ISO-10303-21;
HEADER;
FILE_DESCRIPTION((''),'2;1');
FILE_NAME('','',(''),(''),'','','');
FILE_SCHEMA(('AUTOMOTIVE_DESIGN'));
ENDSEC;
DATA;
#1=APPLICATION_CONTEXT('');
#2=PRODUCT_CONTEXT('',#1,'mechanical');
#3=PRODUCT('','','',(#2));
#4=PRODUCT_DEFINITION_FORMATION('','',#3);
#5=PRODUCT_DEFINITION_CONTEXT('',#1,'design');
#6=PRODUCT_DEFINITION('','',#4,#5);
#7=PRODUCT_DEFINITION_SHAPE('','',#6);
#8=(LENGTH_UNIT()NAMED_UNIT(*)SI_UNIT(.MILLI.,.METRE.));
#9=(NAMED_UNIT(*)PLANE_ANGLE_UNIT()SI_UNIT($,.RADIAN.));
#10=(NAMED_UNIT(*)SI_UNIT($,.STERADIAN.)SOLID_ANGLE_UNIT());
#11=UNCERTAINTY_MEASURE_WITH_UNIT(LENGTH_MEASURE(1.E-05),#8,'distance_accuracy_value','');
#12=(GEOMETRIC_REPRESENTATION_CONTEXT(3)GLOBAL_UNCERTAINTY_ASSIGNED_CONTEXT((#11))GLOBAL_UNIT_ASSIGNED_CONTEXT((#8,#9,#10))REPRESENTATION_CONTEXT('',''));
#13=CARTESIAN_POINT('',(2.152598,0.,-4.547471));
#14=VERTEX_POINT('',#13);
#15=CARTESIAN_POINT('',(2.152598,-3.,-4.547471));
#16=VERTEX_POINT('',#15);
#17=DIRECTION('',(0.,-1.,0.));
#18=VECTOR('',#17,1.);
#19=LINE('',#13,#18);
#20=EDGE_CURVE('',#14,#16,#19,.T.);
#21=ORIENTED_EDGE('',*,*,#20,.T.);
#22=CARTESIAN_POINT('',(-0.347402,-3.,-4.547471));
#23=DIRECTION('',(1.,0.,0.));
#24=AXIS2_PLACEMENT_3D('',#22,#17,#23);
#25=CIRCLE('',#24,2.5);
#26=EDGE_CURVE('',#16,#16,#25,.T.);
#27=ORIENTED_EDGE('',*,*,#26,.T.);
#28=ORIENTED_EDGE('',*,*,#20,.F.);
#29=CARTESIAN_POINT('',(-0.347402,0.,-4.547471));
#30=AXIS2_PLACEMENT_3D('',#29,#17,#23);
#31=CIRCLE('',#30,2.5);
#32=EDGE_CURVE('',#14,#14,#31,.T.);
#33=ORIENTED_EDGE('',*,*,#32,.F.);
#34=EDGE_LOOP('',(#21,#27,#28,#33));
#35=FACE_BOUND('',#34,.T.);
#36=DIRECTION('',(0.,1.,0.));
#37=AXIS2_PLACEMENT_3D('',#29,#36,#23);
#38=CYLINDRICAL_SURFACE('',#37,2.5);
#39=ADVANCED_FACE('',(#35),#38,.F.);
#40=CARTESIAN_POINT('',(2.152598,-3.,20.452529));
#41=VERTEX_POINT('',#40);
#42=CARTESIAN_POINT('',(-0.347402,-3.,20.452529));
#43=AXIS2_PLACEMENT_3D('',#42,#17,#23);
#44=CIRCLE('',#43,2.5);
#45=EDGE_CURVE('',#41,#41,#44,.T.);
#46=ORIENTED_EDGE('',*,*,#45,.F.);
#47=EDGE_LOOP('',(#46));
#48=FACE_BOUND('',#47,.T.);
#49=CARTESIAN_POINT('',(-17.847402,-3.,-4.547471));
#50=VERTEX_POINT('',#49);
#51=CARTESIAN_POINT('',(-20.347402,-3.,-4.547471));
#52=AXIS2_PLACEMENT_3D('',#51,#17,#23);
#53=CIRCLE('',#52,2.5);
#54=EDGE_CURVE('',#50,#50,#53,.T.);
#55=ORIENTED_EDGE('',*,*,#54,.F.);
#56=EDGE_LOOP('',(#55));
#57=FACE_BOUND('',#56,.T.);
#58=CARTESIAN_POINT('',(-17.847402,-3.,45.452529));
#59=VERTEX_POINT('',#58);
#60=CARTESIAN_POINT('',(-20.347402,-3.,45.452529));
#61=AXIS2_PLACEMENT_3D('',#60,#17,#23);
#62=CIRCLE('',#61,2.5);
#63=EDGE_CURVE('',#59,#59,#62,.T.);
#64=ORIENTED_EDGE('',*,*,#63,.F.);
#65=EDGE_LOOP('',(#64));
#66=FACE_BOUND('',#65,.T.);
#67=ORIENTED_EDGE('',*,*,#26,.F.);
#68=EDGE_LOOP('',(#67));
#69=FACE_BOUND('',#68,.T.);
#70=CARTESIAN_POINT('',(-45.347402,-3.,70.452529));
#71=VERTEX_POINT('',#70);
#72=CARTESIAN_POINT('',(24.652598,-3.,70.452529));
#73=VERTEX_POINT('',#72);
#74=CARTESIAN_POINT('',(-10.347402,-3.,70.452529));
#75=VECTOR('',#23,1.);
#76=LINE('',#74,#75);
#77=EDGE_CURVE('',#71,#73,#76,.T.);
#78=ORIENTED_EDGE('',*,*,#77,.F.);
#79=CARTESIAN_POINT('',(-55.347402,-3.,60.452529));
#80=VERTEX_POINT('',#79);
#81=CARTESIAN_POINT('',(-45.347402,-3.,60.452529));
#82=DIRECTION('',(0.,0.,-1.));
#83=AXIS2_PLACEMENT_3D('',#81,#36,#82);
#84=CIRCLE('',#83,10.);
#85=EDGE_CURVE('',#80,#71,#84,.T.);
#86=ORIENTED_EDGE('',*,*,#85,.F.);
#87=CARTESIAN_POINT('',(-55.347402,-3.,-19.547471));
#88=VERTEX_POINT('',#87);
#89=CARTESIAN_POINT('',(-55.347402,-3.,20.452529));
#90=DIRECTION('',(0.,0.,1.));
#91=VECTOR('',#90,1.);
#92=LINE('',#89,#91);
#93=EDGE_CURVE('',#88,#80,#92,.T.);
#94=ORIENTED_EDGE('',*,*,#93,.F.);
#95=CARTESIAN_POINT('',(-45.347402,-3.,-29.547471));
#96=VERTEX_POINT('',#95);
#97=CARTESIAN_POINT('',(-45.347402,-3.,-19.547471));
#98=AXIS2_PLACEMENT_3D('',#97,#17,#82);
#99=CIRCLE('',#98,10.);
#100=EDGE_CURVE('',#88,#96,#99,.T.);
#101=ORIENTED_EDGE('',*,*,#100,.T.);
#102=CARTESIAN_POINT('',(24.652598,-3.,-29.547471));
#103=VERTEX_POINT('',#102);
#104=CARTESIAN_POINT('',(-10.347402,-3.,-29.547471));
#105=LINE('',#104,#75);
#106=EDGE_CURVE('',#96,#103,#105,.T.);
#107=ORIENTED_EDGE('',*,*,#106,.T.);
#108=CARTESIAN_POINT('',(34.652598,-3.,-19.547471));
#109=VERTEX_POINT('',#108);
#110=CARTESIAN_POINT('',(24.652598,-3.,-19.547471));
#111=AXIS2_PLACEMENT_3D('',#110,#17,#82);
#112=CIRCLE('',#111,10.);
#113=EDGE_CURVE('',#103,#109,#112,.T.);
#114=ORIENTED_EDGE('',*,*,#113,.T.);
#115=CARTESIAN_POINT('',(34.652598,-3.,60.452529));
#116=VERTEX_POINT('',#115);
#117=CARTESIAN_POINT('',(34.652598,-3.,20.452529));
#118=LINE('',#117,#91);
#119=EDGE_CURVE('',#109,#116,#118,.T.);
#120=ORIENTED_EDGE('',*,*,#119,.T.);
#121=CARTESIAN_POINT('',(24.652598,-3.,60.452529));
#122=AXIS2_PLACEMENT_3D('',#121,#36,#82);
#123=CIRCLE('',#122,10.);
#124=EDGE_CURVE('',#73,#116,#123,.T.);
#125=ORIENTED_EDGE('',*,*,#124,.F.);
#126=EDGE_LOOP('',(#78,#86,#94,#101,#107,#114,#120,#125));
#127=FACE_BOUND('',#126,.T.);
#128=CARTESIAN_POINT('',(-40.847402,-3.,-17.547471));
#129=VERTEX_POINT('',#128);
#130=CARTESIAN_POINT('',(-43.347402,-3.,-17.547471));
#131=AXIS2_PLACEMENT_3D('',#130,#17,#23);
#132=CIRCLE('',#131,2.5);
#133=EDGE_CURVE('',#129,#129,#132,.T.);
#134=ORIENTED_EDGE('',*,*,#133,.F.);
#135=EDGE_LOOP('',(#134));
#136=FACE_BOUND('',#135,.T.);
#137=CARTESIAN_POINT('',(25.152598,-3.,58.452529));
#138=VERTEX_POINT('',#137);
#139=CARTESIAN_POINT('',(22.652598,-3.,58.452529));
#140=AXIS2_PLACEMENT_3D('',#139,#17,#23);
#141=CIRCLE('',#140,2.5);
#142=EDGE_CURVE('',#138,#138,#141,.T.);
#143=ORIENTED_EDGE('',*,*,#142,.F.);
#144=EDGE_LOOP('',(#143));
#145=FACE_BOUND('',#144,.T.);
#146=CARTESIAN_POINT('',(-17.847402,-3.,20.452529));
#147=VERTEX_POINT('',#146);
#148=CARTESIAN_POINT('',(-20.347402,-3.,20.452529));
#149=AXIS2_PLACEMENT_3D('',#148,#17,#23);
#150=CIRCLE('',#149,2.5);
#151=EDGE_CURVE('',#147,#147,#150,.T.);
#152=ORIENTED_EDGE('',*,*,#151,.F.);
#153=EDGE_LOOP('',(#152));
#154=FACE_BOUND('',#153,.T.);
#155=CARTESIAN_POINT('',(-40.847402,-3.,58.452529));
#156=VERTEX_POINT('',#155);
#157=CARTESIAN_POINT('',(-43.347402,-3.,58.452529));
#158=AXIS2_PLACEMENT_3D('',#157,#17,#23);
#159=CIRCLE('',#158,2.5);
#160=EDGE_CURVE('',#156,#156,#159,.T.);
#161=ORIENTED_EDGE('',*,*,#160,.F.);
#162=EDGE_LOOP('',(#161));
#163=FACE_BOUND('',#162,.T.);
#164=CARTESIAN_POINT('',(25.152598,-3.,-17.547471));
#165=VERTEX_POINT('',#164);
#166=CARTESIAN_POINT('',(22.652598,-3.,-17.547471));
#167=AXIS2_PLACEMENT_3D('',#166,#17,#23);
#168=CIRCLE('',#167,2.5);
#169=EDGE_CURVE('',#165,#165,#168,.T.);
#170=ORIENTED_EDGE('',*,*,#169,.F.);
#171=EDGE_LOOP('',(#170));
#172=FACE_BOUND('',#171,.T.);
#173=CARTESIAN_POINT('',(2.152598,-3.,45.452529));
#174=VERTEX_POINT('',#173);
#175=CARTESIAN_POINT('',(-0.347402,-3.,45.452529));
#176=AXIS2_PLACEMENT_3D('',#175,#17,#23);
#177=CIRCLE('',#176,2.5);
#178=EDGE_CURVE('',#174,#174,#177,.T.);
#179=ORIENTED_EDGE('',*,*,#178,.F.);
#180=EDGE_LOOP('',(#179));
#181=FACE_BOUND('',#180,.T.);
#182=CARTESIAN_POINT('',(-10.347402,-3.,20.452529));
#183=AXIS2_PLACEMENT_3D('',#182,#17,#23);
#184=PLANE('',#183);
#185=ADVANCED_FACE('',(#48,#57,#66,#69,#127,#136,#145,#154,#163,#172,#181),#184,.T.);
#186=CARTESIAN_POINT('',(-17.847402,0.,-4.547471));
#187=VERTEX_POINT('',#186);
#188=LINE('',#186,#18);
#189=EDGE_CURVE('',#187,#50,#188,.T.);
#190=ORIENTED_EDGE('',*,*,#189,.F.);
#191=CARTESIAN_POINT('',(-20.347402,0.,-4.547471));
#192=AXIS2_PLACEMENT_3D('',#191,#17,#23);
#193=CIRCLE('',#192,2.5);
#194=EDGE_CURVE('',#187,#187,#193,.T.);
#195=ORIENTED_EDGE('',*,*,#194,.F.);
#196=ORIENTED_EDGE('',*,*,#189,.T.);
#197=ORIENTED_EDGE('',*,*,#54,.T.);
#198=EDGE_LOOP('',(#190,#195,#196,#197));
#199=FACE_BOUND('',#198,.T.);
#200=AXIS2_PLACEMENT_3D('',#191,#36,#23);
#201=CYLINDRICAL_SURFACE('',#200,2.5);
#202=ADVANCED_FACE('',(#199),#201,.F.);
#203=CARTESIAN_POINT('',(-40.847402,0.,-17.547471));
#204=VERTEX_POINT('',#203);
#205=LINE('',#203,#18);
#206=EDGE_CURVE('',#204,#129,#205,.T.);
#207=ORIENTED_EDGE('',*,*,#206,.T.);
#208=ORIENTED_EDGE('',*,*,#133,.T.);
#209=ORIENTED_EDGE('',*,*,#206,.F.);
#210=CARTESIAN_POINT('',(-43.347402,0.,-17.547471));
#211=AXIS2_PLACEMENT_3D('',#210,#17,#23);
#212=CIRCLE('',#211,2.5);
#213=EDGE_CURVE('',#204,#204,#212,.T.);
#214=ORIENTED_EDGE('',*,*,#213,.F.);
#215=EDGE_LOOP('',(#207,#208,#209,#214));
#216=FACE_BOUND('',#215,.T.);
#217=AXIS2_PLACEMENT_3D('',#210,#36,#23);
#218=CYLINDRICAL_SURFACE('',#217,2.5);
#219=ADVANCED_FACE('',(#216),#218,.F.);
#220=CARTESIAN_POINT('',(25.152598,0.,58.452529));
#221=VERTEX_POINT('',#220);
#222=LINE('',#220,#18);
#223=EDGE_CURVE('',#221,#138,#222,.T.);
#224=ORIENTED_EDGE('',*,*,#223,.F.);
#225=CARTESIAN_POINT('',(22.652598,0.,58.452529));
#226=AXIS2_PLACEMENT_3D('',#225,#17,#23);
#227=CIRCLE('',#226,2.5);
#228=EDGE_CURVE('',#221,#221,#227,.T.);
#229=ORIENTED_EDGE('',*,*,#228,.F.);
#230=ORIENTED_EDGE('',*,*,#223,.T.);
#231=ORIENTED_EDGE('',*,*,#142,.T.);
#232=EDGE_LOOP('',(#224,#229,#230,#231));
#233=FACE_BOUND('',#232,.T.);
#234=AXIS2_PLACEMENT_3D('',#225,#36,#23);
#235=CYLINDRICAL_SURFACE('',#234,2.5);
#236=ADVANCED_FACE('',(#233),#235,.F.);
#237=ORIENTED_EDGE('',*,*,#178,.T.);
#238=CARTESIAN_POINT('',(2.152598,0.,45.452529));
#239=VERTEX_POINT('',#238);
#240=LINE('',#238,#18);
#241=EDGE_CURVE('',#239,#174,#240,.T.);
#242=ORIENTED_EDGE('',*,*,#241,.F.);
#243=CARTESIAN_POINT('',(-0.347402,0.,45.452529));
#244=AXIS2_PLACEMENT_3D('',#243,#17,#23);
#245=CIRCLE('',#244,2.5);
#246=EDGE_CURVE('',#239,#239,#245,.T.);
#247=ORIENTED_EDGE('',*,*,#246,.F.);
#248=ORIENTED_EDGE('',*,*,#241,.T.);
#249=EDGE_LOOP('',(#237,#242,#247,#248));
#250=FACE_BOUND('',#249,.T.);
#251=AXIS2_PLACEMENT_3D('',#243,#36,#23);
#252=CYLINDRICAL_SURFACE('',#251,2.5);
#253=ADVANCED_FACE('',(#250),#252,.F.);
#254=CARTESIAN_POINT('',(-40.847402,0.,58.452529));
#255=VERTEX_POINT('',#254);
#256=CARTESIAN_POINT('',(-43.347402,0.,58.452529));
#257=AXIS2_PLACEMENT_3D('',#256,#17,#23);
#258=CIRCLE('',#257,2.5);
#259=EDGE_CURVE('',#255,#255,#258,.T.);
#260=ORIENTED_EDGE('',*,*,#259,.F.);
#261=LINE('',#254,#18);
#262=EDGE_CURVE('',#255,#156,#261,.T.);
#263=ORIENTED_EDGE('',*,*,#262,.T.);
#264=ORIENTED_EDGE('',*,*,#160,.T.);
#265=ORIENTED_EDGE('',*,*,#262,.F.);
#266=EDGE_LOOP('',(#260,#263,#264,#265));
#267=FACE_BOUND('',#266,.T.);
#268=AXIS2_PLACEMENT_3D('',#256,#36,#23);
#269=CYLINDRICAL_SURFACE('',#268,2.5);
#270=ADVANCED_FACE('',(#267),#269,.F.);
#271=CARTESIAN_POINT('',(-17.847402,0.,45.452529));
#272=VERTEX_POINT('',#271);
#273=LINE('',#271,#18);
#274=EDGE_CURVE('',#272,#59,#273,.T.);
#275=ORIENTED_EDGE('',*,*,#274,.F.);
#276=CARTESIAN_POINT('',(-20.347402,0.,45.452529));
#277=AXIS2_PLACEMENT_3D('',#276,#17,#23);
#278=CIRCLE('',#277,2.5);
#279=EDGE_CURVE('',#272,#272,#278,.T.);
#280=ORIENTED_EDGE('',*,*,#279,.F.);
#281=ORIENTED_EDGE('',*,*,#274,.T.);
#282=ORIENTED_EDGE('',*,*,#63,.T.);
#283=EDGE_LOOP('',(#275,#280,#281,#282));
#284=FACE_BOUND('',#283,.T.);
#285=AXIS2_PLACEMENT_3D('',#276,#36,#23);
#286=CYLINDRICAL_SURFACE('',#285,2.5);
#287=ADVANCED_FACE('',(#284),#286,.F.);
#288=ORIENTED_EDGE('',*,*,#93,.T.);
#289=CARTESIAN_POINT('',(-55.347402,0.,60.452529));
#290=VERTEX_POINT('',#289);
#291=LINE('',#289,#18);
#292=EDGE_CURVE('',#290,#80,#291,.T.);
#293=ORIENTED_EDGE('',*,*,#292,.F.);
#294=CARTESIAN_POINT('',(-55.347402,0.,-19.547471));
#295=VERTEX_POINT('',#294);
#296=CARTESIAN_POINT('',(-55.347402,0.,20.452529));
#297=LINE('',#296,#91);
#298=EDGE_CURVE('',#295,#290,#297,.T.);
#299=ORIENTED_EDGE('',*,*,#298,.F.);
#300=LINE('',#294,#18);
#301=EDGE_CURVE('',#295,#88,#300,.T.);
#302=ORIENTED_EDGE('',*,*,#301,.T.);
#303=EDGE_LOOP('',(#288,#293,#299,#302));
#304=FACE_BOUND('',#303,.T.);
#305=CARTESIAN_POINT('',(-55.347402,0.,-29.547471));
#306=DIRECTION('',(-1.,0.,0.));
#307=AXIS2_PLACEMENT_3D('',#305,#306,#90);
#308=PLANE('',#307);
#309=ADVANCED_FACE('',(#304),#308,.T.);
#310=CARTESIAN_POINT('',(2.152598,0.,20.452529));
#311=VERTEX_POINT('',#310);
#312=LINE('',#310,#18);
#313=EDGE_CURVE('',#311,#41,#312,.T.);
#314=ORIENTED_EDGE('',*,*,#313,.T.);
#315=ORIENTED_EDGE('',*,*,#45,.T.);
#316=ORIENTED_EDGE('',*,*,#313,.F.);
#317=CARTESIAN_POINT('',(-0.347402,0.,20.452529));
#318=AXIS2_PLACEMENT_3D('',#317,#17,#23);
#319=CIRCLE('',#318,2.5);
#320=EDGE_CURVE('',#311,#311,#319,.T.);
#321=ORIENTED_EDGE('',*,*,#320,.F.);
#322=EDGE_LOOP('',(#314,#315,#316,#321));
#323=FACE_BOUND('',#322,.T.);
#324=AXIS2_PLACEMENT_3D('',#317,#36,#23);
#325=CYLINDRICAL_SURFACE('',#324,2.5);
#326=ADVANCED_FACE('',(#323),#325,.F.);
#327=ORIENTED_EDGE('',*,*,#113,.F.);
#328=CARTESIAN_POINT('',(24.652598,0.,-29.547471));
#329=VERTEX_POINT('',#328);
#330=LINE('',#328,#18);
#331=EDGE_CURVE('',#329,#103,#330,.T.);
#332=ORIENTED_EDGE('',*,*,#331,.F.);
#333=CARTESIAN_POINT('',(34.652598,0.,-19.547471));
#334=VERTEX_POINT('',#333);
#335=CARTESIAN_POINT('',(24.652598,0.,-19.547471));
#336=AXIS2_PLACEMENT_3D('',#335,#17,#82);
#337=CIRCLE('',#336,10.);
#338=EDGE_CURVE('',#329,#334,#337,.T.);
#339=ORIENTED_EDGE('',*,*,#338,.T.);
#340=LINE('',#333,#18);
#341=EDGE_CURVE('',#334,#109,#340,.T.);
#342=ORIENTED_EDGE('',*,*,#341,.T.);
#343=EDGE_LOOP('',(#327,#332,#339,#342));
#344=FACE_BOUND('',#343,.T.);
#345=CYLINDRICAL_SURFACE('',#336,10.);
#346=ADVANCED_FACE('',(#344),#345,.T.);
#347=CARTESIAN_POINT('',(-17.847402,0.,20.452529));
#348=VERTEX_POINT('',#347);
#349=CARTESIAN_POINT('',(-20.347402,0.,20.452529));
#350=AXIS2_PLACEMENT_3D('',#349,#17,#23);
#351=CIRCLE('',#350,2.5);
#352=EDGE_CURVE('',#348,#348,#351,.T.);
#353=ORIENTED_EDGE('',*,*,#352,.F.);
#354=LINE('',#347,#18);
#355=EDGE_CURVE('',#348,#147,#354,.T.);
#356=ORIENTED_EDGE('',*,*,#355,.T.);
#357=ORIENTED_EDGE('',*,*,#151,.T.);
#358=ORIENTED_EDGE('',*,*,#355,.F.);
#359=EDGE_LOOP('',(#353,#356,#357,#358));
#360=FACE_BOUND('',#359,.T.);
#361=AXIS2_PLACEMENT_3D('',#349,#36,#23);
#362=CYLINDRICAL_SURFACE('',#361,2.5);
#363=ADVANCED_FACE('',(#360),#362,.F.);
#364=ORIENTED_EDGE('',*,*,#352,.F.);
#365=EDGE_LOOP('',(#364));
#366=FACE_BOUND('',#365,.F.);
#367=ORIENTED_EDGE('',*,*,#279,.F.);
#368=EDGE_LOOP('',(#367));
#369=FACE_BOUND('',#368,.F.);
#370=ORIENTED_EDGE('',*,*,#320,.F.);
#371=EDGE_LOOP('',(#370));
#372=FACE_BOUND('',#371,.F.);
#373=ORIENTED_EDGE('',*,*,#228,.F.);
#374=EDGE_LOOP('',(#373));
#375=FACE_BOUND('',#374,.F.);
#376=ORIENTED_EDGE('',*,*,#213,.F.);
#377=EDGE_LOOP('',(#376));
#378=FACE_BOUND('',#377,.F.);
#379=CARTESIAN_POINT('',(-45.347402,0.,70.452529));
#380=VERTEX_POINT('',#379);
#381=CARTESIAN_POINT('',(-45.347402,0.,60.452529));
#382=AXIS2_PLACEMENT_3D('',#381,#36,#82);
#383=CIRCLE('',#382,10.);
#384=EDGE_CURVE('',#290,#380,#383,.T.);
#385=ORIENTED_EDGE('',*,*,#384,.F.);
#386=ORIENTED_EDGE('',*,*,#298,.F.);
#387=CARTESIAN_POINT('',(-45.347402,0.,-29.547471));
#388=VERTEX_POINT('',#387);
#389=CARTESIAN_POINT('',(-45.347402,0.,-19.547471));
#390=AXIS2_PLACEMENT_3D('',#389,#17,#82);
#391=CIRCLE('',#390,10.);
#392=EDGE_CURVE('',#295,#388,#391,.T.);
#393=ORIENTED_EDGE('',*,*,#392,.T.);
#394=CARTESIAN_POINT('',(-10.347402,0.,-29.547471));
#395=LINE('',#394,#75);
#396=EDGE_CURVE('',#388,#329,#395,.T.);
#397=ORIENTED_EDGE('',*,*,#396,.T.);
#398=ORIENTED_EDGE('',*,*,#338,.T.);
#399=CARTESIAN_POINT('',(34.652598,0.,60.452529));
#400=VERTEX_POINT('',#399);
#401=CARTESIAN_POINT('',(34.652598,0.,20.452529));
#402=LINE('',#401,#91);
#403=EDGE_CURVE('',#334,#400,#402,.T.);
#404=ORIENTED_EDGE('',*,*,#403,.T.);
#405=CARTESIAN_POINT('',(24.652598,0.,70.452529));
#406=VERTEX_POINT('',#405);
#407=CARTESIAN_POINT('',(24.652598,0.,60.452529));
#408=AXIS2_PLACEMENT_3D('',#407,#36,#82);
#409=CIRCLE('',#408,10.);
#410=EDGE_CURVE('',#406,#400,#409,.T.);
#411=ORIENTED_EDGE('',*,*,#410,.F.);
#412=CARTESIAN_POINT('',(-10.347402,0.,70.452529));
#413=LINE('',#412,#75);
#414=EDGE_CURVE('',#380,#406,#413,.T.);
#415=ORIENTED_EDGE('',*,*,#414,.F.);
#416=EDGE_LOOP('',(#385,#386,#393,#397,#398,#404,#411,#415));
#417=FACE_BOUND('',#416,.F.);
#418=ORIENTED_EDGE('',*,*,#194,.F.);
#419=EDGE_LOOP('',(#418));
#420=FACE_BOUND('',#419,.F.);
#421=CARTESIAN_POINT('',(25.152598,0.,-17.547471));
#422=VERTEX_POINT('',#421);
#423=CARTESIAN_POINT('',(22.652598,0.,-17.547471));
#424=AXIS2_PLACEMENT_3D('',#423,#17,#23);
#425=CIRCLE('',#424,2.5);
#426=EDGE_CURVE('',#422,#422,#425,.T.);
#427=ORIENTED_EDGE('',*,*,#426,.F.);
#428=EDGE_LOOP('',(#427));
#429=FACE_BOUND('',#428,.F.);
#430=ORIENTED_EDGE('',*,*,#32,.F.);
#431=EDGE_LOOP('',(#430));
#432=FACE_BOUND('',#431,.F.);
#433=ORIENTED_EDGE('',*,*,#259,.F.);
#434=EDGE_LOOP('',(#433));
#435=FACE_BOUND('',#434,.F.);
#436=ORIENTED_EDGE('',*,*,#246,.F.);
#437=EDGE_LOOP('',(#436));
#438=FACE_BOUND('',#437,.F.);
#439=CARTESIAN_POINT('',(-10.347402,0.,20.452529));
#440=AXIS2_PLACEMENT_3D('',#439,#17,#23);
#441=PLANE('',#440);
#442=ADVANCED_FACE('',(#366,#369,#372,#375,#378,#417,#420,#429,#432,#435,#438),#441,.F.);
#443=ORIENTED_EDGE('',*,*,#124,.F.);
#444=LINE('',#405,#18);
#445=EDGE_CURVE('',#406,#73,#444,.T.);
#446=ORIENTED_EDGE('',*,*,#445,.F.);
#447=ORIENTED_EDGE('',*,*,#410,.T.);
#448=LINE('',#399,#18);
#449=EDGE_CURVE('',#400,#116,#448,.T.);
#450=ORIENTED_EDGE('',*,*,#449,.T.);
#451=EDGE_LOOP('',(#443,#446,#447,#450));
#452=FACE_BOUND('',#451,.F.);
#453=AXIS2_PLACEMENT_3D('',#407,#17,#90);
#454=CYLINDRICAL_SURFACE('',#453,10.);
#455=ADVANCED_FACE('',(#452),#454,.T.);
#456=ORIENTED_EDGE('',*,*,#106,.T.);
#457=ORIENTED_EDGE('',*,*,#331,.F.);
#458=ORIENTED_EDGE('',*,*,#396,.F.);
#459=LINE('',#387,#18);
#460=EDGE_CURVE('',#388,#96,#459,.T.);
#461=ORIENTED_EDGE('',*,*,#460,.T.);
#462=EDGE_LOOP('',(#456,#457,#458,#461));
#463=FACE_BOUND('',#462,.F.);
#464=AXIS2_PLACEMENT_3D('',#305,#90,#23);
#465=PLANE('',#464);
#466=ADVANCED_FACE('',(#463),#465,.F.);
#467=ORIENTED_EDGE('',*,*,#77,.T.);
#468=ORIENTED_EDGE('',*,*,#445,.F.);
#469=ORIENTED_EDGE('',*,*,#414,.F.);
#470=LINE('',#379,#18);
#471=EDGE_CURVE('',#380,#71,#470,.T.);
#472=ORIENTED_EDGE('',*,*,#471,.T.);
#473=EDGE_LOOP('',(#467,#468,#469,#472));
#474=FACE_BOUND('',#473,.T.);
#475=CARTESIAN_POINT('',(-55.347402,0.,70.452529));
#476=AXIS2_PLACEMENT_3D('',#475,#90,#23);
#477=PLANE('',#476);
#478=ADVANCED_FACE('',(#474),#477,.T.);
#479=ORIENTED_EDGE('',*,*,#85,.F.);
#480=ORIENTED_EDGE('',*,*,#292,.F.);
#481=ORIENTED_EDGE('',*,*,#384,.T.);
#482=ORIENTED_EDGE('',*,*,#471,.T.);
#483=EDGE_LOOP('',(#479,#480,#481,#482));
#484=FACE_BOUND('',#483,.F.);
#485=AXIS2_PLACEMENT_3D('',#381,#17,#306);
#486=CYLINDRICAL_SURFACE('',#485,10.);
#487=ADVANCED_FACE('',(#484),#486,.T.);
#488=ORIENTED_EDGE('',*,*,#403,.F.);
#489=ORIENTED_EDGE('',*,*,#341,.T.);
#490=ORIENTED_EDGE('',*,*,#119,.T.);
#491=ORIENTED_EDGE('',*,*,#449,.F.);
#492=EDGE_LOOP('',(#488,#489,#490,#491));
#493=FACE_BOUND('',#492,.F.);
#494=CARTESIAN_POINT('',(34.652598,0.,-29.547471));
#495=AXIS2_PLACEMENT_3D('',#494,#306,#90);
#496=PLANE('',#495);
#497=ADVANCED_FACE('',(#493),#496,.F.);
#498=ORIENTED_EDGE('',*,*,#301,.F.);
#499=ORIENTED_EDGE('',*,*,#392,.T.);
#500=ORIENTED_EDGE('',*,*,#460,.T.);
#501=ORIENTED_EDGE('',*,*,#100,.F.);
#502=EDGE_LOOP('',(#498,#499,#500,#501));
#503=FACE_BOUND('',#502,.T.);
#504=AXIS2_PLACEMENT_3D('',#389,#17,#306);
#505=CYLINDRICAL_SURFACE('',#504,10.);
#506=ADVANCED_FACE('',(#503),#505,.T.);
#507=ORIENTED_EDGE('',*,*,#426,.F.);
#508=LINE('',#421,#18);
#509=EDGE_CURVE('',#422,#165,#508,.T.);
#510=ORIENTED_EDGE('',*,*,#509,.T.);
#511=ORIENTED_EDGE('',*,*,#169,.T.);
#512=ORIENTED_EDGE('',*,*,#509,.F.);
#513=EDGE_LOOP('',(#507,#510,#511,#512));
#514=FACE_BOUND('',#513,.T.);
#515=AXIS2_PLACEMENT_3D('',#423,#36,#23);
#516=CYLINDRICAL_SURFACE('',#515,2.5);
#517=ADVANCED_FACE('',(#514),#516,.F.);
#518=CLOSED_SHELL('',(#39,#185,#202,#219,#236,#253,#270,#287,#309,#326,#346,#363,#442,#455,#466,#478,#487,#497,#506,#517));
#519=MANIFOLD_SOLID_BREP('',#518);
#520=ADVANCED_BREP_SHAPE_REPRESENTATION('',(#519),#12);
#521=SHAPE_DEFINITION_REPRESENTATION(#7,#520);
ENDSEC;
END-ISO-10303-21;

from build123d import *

# Parameters (mm, degrees)
F0_W     = 90
F0_H     = 100
F0_R     = 2.5
F1_DEPTH = 3
F2_R     = 10


with BuildPart() as f1:
    # F0 (on Front) → F1 (new body)
    with BuildSketch(Plane.XZ):
        with Locations((-10.347402, 20.452529)):
            Rectangle(F0_W, F0_H)
        with Locations((-43.347402, -17.547471)):
            Circle(F0_R, mode=Mode.SUBTRACT)
        with Locations((-20.347402, -4.547471)):
            Circle(F0_R, mode=Mode.SUBTRACT)
        with Locations((-20.347402, 20.452529)):
            Circle(F0_R, mode=Mode.SUBTRACT)
        with Locations((22.652598, -17.547471)):
            Circle(F0_R, mode=Mode.SUBTRACT)
        with Locations((-0.347402, -4.547471)):
            Circle(F0_R, mode=Mode.SUBTRACT)
        with Locations((-20.347402, 45.452529)):
            Circle(F0_R, mode=Mode.SUBTRACT)
        with Locations((-43.347402, 58.452529)):
            Circle(F0_R, mode=Mode.SUBTRACT)
        with Locations((-0.347402, 20.452529)):
            Circle(F0_R, mode=Mode.SUBTRACT)
        with Locations((-0.347402, 45.452529)):
            Circle(F0_R, mode=Mode.SUBTRACT)
        with Locations((22.652598, 58.452529)):
            Circle(F0_R, mode=Mode.SUBTRACT)
    extrude(amount=F1_DEPTH)

    # F2
    f2_edges = [f1.edges().sort_by_distance(p)[0] for p in [
        (34.652598, -1.5, 70.452529),
        (-55.347402, -1.5, 70.452529),
        (-55.347402, -1.5, -29.547471),
        (34.652598, -1.5, -29.547471),
    ]]
    fillet(f2_edges, radius=F2_R)


solid = f1.part
